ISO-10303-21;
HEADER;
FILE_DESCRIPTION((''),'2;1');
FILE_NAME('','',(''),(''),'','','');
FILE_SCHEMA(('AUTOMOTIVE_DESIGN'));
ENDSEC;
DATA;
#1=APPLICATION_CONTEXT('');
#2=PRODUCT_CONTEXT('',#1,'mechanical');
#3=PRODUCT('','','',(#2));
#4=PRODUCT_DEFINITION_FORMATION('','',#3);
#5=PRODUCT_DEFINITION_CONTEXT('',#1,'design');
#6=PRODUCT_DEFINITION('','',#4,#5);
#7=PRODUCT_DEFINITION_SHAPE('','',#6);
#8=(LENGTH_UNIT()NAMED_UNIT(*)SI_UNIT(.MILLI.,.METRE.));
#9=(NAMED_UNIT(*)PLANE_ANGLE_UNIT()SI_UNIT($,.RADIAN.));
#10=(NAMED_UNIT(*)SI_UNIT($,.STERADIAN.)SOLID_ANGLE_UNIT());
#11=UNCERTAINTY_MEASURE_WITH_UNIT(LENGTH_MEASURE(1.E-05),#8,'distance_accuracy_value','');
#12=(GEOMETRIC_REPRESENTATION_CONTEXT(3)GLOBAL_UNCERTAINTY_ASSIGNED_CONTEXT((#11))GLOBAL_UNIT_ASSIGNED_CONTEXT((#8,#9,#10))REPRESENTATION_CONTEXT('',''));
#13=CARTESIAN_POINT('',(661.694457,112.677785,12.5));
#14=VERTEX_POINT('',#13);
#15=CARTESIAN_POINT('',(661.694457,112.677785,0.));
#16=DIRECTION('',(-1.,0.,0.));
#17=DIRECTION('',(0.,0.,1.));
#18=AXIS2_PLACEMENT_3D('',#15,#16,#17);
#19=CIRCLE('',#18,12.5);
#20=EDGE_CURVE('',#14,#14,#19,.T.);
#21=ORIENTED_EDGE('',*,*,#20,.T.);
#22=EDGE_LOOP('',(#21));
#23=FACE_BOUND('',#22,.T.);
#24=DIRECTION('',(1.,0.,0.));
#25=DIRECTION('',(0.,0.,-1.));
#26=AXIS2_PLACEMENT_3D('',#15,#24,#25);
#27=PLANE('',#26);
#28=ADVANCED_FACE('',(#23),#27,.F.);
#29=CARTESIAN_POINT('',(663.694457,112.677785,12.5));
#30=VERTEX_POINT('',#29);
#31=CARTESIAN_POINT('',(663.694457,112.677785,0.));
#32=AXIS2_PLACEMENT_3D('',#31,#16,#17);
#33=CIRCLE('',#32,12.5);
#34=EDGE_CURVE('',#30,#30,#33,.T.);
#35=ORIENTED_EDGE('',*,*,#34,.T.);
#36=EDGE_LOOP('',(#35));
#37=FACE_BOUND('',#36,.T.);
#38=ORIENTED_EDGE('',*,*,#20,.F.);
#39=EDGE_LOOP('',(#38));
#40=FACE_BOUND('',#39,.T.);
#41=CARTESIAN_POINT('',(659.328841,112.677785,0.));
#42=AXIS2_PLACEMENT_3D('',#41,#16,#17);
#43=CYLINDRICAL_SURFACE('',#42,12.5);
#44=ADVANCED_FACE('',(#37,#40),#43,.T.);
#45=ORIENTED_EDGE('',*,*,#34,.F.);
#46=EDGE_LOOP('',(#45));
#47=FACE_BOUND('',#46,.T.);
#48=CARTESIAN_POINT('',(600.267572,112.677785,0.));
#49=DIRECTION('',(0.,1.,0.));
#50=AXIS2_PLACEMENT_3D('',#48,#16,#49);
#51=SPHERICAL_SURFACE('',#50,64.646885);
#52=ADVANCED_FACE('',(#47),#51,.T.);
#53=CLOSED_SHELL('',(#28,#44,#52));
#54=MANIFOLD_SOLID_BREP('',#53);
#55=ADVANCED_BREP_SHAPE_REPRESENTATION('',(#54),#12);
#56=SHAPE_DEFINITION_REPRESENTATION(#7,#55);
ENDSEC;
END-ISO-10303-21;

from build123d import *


with BuildPart() as part:
    # 草图2 → 旋转2 (revolve)
    with BuildSketch(Plane.XY):
        with BuildLine():
            Line((661.694457284, 112.677785052), (661.694457284, 125.177785052))
            Line((661.694457284, 125.177785052), (663.694457284, 125.177785052))
            ThreePointArc((663.694457284, 125.177785052), (664.608734384, 118.957482497), (664.914457284, 112.677785052))
            Line((664.914457284, 112.677785052), (661.694457284, 112.677785052))
        make_face()
    revolve(axis=Axis((659.328841381, 112.677785052, 0), (1, 0, 0)))


solid = part.part
